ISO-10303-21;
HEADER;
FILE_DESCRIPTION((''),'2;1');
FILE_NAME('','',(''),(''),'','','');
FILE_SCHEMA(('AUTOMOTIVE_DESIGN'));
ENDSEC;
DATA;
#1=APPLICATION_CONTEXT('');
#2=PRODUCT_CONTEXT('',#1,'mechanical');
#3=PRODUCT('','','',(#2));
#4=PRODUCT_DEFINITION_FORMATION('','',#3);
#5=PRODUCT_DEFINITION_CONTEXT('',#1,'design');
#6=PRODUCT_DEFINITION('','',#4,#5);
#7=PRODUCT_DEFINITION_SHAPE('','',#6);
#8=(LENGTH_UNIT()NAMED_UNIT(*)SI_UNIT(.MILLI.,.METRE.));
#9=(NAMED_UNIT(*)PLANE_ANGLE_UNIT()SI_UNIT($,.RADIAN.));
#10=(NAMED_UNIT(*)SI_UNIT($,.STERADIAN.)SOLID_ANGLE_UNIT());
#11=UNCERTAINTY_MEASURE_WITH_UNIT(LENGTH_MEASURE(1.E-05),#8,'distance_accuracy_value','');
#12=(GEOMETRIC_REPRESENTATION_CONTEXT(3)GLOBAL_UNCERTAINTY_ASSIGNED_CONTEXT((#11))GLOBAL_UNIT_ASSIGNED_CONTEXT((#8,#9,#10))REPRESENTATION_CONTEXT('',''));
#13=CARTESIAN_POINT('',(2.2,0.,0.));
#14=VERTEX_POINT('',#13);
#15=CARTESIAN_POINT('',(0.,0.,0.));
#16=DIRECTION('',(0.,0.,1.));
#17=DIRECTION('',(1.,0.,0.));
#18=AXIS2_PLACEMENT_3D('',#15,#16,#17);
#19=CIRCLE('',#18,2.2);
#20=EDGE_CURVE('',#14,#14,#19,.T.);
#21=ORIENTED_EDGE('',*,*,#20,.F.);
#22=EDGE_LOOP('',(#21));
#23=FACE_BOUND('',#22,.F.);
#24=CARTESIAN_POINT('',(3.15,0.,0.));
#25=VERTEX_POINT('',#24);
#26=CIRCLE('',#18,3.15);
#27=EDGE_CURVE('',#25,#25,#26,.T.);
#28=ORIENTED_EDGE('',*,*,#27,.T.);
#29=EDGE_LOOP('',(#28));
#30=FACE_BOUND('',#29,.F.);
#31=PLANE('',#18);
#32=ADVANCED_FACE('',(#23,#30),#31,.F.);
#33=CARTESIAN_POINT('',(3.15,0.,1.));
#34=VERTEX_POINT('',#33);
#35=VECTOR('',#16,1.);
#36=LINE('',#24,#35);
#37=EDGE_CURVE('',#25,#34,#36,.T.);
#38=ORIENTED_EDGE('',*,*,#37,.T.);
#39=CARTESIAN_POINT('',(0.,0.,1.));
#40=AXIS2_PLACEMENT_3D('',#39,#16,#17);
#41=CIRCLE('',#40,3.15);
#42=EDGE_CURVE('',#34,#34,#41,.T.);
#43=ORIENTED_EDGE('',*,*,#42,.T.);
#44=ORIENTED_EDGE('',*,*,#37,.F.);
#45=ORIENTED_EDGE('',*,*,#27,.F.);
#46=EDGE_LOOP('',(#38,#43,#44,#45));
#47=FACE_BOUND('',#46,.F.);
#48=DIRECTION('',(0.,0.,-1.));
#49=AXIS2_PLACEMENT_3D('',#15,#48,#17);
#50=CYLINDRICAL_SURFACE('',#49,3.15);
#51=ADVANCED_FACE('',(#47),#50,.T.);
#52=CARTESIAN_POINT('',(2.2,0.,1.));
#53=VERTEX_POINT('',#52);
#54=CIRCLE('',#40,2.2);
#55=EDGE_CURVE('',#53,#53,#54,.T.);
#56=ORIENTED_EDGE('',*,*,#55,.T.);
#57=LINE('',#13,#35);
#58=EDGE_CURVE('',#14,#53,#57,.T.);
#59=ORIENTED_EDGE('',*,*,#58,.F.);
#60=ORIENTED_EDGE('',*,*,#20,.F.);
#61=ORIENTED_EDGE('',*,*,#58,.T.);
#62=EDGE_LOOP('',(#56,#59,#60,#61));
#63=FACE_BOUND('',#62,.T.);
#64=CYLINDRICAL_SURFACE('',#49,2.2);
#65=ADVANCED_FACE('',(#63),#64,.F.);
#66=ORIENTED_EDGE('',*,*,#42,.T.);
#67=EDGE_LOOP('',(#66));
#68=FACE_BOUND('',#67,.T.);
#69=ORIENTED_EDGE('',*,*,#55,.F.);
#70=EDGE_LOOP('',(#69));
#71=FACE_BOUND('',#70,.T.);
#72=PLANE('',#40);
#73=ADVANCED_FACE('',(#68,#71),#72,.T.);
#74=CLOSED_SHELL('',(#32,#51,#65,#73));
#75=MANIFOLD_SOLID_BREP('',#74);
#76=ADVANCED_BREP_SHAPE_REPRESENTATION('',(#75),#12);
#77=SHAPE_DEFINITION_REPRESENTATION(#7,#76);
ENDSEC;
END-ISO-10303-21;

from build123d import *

# Parameters (mm, degrees)
CYLINDER019_R     = 2.2
CYLINDER019_DEPTH = 1
CYLINDER020_R     = 3.15
CYLINDER020_DEPTH = 1


with BuildPart() as cylinder019:
    # Cylinder019 → Cylinder019 (new body)
    with BuildSketch(Plane.XY):
        Circle(CYLINDER019_R)
    extrude(amount=CYLINDER019_DEPTH)


with BuildPart() as f_1mm_spacer:
    # Cylinder020 → Cylinder020 (new body)
    with BuildSketch(Plane.XY):
        Circle(CYLINDER020_R)
    extrude(amount=CYLINDER020_DEPTH)

    # Cut001020: cut Cylinder019
    add(cylinder019.part, mode=Mode.SUBTRACT)


solid = f_1mm_spacer.part
